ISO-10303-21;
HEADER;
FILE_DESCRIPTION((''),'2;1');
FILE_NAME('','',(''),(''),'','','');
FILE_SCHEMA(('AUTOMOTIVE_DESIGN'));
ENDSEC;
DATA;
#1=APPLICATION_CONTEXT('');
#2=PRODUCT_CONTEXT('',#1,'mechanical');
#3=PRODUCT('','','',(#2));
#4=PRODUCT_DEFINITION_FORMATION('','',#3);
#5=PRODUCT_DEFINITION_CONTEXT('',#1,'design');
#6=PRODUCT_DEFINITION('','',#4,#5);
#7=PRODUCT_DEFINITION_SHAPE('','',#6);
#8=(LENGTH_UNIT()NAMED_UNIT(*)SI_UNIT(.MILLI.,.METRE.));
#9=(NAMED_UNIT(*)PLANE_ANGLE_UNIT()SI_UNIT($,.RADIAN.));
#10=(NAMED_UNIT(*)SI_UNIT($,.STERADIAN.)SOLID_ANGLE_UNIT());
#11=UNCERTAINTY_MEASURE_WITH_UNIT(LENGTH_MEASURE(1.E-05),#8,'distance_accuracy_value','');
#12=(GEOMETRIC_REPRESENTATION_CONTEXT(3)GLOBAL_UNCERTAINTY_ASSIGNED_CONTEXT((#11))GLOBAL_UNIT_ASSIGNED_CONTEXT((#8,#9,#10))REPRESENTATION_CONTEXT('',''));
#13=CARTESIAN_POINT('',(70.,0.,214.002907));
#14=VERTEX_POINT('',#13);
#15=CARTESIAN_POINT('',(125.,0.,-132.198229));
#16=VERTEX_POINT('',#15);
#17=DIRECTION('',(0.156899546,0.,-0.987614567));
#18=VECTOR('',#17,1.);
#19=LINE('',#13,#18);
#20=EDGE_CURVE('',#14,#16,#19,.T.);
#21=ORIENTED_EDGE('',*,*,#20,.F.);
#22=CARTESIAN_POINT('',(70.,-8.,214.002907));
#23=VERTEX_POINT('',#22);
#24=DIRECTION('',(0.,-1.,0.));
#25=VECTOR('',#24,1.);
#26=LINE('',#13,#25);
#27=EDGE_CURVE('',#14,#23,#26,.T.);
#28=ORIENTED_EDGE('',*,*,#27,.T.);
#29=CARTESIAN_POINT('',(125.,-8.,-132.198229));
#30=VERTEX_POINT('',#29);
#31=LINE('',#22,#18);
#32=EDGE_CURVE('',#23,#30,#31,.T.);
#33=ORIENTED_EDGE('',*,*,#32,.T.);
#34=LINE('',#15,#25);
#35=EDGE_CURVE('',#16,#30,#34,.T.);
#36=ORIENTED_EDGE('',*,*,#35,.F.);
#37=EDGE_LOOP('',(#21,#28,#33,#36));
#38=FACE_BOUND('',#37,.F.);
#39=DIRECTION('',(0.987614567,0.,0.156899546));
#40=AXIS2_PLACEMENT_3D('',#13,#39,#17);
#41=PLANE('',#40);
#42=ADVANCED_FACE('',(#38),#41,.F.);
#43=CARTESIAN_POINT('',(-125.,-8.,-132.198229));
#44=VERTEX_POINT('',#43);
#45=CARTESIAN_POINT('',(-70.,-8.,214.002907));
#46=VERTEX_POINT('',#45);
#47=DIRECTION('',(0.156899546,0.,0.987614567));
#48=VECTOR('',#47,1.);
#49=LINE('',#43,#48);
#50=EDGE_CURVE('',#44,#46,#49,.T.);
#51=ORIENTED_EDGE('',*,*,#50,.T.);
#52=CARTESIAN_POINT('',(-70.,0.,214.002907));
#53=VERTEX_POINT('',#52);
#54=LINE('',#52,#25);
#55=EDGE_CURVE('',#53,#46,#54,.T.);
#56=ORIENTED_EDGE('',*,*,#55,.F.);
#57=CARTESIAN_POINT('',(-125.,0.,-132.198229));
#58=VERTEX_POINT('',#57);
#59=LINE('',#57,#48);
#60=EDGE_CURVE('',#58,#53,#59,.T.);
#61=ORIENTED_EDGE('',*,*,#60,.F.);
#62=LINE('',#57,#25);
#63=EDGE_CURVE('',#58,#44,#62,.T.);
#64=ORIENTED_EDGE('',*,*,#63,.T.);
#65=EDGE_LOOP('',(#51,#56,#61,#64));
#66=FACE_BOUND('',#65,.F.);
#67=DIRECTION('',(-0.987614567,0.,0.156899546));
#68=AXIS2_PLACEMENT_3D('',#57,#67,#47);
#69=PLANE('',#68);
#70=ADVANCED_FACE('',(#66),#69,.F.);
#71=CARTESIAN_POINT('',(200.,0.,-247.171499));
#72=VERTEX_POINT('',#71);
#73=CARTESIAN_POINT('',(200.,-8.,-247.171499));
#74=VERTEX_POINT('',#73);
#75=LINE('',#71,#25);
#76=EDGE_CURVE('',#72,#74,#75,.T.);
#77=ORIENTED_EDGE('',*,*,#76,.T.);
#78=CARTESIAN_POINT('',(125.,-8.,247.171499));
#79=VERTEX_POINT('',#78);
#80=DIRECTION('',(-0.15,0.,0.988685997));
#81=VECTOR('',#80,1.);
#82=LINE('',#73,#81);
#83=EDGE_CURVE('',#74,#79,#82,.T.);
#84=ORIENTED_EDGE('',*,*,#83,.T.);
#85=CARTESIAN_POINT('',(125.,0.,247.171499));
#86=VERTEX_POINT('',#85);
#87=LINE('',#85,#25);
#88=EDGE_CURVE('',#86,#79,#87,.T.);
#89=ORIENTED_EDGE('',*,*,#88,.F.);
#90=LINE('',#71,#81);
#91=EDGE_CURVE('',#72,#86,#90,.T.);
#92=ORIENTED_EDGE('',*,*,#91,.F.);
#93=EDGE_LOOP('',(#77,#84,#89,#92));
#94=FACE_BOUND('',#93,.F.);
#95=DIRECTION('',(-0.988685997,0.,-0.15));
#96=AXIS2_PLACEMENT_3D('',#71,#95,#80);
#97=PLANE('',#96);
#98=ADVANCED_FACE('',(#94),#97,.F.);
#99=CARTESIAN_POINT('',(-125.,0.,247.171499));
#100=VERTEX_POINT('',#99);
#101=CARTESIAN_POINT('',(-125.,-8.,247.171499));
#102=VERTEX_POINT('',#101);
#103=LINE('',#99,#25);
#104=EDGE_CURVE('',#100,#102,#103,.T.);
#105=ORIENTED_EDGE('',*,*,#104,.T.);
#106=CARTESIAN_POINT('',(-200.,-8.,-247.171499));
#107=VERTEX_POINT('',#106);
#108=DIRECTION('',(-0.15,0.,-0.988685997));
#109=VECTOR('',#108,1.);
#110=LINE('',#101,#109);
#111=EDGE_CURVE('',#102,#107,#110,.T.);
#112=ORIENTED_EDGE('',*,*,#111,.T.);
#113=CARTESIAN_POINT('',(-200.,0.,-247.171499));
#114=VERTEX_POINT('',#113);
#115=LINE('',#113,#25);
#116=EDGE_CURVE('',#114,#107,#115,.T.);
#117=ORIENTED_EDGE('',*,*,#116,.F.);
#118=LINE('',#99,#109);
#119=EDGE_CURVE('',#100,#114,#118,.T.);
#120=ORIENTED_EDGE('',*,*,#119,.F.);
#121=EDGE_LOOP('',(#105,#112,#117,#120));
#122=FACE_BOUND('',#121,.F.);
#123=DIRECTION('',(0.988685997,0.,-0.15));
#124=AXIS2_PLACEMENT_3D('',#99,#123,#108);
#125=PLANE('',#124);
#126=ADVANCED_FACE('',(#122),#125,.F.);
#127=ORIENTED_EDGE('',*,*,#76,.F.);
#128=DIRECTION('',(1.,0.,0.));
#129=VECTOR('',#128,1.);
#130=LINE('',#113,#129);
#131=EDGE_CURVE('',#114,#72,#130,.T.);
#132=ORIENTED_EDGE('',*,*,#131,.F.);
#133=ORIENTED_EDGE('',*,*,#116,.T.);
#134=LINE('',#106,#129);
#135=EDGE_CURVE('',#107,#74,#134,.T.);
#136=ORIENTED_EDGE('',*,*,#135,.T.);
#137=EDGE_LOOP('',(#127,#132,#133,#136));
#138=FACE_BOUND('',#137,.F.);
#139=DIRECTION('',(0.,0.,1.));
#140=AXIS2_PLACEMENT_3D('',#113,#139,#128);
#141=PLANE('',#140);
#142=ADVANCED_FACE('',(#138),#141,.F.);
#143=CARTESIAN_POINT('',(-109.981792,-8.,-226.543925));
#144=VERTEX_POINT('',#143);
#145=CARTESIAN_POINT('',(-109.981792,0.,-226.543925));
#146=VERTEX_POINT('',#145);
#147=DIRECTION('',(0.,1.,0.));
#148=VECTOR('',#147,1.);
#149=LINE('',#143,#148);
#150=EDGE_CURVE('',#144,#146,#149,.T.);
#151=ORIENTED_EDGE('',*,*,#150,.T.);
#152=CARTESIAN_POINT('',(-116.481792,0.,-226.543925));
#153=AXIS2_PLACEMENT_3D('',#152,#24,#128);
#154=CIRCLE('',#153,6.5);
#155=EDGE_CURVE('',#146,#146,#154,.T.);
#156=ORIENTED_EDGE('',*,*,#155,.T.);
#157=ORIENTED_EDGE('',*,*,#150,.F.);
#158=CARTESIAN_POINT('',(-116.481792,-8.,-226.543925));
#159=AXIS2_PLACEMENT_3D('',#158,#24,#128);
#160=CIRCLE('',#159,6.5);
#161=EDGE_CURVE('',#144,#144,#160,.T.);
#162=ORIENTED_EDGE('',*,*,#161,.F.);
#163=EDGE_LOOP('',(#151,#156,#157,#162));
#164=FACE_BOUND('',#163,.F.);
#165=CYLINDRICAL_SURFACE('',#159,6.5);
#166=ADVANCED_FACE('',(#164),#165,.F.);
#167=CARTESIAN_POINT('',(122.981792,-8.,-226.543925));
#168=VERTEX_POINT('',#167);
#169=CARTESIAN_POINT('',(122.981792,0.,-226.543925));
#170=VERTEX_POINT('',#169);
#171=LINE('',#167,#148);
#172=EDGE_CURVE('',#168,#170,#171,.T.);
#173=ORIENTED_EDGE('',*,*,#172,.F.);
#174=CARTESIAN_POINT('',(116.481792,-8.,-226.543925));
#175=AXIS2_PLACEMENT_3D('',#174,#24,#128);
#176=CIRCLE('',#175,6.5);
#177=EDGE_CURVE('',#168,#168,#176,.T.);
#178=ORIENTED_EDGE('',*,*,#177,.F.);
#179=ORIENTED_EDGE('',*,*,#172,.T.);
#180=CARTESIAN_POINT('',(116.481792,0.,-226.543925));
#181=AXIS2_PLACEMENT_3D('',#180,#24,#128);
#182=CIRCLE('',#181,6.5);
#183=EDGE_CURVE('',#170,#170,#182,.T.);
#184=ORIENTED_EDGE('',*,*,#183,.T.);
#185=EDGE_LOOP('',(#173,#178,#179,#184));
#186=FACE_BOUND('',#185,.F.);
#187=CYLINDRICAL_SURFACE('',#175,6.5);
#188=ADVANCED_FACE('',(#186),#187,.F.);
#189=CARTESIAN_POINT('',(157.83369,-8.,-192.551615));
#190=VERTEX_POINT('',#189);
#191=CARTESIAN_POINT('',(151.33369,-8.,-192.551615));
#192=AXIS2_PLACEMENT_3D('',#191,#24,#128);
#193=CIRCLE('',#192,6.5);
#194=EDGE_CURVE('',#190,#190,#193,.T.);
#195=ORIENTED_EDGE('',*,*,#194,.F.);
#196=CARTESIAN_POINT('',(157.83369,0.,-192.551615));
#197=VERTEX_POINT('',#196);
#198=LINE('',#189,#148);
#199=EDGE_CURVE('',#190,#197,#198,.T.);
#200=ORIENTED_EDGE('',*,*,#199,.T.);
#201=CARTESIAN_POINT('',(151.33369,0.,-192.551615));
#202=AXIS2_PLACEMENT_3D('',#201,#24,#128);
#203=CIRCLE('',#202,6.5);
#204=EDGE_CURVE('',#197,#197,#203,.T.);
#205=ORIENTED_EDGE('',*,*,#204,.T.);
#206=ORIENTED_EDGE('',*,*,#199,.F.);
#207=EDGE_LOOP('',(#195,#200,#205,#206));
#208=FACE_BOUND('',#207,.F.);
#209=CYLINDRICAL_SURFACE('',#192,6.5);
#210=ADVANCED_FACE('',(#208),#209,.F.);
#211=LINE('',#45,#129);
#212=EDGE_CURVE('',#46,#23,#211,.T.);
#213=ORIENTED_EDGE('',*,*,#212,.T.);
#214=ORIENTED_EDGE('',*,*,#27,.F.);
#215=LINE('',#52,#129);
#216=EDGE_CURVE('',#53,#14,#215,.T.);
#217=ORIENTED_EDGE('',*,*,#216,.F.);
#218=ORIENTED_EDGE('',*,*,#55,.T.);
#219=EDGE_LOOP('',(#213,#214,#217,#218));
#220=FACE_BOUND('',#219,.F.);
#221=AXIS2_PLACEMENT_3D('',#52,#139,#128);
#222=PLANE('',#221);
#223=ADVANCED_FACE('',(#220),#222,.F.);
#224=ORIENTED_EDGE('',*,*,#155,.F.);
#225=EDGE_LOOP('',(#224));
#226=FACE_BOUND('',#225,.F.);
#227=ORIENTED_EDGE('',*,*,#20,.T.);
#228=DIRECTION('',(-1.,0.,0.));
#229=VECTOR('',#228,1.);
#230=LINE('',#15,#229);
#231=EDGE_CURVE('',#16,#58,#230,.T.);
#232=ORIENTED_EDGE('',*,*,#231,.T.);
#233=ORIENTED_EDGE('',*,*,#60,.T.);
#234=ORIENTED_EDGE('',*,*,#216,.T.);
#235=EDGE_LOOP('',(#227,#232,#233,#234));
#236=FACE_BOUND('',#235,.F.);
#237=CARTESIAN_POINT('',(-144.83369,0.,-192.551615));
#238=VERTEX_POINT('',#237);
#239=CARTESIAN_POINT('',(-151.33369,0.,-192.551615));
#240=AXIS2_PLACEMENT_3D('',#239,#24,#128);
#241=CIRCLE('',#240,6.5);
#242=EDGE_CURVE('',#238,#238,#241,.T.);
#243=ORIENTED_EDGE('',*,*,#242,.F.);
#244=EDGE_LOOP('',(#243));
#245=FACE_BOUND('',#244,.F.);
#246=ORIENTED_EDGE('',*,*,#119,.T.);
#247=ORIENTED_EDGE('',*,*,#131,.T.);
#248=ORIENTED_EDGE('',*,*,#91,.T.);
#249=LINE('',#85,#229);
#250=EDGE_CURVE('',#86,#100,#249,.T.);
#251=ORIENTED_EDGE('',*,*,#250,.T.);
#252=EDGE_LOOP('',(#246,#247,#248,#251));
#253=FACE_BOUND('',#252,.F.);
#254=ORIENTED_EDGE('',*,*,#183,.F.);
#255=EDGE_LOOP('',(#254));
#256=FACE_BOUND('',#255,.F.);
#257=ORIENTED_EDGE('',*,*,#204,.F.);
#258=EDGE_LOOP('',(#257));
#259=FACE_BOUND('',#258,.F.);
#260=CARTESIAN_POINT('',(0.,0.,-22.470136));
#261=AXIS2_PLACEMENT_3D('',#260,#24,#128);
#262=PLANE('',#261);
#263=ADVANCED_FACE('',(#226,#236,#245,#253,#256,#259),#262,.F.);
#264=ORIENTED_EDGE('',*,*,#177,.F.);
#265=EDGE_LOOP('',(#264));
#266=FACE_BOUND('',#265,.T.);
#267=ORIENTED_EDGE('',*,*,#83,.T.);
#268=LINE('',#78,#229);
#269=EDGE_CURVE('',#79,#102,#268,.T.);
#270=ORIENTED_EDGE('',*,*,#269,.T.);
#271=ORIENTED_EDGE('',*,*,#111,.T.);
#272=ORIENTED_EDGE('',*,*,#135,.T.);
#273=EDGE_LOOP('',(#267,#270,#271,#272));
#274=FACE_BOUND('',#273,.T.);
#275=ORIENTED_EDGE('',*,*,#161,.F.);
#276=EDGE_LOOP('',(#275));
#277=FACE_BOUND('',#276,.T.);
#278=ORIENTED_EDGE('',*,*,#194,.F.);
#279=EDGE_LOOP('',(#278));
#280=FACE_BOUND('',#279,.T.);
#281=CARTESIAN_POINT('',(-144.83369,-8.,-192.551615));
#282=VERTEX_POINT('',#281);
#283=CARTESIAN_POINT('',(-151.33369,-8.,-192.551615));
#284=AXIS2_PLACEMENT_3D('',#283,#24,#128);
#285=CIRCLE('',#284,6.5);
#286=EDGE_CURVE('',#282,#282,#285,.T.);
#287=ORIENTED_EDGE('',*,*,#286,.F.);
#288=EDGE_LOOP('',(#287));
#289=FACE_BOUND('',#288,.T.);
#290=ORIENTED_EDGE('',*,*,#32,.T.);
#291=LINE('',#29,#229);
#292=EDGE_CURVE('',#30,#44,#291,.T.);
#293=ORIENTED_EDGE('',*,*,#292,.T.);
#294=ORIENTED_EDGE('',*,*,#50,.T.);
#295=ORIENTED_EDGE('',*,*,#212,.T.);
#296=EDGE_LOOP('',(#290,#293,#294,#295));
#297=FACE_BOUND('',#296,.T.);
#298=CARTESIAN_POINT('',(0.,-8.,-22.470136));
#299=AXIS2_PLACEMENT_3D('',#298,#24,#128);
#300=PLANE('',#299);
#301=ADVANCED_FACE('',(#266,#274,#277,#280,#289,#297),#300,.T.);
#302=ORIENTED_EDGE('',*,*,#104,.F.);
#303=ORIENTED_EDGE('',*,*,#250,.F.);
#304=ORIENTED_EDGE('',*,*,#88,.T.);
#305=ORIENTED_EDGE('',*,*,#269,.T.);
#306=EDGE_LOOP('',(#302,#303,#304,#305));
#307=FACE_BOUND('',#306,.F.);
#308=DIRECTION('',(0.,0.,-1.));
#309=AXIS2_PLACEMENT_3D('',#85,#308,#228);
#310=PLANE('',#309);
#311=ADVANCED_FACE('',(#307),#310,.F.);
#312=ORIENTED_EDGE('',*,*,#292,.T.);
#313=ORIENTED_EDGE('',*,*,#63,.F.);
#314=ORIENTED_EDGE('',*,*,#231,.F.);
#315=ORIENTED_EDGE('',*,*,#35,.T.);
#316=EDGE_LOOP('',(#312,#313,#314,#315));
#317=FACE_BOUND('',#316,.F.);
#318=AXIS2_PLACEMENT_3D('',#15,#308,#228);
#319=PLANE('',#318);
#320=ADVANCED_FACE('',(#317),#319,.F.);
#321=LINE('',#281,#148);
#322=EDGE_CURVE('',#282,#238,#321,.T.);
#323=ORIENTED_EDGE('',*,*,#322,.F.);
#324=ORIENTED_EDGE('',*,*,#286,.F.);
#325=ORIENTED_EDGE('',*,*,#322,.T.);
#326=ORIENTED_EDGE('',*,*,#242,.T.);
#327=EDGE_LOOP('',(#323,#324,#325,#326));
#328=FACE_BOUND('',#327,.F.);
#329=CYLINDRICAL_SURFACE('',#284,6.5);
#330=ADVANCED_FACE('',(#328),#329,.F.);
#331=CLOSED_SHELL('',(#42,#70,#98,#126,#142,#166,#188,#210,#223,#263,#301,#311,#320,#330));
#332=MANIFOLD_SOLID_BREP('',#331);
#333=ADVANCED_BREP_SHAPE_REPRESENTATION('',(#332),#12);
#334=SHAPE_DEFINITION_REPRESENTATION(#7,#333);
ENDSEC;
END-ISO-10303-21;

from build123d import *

# Parameters (mm, degrees)
F1_DEPTH = 8
F2_R     = 6.5
F3_DEPTH = 25


with BuildPart() as f1:
    # F0 (on Front) → F1 (new body)
    with BuildSketch(Plane.XZ):
        Polygon((-125, 247.171499), (-200, -247.171499), (200, -247.171499), (125, 247.171499), align=None)
        Polygon((-125, -132.198229), (-70, 214.002907), (70, 214.002907), (125, -132.198229), align=None, mode=Mode.SUBTRACT)
    extrude(amount=F1_DEPTH)

    # F2 (on face) → F3 (cut)
    with BuildSketch(Plane.XZ.offset(8)):
        with Locations((-116.481792, -226.543925)):
            Circle(F2_R)
        with Locations((-151.33369, -192.551615)):
            Circle(F2_R)
        with Locations((151.33369, -192.551615)):
            Circle(F2_R)
        with Locations((116.481792, -226.543925)):
            Circle(F2_R)
    extrude(amount=-F3_DEPTH, mode=Mode.SUBTRACT)


solid = f1.part
